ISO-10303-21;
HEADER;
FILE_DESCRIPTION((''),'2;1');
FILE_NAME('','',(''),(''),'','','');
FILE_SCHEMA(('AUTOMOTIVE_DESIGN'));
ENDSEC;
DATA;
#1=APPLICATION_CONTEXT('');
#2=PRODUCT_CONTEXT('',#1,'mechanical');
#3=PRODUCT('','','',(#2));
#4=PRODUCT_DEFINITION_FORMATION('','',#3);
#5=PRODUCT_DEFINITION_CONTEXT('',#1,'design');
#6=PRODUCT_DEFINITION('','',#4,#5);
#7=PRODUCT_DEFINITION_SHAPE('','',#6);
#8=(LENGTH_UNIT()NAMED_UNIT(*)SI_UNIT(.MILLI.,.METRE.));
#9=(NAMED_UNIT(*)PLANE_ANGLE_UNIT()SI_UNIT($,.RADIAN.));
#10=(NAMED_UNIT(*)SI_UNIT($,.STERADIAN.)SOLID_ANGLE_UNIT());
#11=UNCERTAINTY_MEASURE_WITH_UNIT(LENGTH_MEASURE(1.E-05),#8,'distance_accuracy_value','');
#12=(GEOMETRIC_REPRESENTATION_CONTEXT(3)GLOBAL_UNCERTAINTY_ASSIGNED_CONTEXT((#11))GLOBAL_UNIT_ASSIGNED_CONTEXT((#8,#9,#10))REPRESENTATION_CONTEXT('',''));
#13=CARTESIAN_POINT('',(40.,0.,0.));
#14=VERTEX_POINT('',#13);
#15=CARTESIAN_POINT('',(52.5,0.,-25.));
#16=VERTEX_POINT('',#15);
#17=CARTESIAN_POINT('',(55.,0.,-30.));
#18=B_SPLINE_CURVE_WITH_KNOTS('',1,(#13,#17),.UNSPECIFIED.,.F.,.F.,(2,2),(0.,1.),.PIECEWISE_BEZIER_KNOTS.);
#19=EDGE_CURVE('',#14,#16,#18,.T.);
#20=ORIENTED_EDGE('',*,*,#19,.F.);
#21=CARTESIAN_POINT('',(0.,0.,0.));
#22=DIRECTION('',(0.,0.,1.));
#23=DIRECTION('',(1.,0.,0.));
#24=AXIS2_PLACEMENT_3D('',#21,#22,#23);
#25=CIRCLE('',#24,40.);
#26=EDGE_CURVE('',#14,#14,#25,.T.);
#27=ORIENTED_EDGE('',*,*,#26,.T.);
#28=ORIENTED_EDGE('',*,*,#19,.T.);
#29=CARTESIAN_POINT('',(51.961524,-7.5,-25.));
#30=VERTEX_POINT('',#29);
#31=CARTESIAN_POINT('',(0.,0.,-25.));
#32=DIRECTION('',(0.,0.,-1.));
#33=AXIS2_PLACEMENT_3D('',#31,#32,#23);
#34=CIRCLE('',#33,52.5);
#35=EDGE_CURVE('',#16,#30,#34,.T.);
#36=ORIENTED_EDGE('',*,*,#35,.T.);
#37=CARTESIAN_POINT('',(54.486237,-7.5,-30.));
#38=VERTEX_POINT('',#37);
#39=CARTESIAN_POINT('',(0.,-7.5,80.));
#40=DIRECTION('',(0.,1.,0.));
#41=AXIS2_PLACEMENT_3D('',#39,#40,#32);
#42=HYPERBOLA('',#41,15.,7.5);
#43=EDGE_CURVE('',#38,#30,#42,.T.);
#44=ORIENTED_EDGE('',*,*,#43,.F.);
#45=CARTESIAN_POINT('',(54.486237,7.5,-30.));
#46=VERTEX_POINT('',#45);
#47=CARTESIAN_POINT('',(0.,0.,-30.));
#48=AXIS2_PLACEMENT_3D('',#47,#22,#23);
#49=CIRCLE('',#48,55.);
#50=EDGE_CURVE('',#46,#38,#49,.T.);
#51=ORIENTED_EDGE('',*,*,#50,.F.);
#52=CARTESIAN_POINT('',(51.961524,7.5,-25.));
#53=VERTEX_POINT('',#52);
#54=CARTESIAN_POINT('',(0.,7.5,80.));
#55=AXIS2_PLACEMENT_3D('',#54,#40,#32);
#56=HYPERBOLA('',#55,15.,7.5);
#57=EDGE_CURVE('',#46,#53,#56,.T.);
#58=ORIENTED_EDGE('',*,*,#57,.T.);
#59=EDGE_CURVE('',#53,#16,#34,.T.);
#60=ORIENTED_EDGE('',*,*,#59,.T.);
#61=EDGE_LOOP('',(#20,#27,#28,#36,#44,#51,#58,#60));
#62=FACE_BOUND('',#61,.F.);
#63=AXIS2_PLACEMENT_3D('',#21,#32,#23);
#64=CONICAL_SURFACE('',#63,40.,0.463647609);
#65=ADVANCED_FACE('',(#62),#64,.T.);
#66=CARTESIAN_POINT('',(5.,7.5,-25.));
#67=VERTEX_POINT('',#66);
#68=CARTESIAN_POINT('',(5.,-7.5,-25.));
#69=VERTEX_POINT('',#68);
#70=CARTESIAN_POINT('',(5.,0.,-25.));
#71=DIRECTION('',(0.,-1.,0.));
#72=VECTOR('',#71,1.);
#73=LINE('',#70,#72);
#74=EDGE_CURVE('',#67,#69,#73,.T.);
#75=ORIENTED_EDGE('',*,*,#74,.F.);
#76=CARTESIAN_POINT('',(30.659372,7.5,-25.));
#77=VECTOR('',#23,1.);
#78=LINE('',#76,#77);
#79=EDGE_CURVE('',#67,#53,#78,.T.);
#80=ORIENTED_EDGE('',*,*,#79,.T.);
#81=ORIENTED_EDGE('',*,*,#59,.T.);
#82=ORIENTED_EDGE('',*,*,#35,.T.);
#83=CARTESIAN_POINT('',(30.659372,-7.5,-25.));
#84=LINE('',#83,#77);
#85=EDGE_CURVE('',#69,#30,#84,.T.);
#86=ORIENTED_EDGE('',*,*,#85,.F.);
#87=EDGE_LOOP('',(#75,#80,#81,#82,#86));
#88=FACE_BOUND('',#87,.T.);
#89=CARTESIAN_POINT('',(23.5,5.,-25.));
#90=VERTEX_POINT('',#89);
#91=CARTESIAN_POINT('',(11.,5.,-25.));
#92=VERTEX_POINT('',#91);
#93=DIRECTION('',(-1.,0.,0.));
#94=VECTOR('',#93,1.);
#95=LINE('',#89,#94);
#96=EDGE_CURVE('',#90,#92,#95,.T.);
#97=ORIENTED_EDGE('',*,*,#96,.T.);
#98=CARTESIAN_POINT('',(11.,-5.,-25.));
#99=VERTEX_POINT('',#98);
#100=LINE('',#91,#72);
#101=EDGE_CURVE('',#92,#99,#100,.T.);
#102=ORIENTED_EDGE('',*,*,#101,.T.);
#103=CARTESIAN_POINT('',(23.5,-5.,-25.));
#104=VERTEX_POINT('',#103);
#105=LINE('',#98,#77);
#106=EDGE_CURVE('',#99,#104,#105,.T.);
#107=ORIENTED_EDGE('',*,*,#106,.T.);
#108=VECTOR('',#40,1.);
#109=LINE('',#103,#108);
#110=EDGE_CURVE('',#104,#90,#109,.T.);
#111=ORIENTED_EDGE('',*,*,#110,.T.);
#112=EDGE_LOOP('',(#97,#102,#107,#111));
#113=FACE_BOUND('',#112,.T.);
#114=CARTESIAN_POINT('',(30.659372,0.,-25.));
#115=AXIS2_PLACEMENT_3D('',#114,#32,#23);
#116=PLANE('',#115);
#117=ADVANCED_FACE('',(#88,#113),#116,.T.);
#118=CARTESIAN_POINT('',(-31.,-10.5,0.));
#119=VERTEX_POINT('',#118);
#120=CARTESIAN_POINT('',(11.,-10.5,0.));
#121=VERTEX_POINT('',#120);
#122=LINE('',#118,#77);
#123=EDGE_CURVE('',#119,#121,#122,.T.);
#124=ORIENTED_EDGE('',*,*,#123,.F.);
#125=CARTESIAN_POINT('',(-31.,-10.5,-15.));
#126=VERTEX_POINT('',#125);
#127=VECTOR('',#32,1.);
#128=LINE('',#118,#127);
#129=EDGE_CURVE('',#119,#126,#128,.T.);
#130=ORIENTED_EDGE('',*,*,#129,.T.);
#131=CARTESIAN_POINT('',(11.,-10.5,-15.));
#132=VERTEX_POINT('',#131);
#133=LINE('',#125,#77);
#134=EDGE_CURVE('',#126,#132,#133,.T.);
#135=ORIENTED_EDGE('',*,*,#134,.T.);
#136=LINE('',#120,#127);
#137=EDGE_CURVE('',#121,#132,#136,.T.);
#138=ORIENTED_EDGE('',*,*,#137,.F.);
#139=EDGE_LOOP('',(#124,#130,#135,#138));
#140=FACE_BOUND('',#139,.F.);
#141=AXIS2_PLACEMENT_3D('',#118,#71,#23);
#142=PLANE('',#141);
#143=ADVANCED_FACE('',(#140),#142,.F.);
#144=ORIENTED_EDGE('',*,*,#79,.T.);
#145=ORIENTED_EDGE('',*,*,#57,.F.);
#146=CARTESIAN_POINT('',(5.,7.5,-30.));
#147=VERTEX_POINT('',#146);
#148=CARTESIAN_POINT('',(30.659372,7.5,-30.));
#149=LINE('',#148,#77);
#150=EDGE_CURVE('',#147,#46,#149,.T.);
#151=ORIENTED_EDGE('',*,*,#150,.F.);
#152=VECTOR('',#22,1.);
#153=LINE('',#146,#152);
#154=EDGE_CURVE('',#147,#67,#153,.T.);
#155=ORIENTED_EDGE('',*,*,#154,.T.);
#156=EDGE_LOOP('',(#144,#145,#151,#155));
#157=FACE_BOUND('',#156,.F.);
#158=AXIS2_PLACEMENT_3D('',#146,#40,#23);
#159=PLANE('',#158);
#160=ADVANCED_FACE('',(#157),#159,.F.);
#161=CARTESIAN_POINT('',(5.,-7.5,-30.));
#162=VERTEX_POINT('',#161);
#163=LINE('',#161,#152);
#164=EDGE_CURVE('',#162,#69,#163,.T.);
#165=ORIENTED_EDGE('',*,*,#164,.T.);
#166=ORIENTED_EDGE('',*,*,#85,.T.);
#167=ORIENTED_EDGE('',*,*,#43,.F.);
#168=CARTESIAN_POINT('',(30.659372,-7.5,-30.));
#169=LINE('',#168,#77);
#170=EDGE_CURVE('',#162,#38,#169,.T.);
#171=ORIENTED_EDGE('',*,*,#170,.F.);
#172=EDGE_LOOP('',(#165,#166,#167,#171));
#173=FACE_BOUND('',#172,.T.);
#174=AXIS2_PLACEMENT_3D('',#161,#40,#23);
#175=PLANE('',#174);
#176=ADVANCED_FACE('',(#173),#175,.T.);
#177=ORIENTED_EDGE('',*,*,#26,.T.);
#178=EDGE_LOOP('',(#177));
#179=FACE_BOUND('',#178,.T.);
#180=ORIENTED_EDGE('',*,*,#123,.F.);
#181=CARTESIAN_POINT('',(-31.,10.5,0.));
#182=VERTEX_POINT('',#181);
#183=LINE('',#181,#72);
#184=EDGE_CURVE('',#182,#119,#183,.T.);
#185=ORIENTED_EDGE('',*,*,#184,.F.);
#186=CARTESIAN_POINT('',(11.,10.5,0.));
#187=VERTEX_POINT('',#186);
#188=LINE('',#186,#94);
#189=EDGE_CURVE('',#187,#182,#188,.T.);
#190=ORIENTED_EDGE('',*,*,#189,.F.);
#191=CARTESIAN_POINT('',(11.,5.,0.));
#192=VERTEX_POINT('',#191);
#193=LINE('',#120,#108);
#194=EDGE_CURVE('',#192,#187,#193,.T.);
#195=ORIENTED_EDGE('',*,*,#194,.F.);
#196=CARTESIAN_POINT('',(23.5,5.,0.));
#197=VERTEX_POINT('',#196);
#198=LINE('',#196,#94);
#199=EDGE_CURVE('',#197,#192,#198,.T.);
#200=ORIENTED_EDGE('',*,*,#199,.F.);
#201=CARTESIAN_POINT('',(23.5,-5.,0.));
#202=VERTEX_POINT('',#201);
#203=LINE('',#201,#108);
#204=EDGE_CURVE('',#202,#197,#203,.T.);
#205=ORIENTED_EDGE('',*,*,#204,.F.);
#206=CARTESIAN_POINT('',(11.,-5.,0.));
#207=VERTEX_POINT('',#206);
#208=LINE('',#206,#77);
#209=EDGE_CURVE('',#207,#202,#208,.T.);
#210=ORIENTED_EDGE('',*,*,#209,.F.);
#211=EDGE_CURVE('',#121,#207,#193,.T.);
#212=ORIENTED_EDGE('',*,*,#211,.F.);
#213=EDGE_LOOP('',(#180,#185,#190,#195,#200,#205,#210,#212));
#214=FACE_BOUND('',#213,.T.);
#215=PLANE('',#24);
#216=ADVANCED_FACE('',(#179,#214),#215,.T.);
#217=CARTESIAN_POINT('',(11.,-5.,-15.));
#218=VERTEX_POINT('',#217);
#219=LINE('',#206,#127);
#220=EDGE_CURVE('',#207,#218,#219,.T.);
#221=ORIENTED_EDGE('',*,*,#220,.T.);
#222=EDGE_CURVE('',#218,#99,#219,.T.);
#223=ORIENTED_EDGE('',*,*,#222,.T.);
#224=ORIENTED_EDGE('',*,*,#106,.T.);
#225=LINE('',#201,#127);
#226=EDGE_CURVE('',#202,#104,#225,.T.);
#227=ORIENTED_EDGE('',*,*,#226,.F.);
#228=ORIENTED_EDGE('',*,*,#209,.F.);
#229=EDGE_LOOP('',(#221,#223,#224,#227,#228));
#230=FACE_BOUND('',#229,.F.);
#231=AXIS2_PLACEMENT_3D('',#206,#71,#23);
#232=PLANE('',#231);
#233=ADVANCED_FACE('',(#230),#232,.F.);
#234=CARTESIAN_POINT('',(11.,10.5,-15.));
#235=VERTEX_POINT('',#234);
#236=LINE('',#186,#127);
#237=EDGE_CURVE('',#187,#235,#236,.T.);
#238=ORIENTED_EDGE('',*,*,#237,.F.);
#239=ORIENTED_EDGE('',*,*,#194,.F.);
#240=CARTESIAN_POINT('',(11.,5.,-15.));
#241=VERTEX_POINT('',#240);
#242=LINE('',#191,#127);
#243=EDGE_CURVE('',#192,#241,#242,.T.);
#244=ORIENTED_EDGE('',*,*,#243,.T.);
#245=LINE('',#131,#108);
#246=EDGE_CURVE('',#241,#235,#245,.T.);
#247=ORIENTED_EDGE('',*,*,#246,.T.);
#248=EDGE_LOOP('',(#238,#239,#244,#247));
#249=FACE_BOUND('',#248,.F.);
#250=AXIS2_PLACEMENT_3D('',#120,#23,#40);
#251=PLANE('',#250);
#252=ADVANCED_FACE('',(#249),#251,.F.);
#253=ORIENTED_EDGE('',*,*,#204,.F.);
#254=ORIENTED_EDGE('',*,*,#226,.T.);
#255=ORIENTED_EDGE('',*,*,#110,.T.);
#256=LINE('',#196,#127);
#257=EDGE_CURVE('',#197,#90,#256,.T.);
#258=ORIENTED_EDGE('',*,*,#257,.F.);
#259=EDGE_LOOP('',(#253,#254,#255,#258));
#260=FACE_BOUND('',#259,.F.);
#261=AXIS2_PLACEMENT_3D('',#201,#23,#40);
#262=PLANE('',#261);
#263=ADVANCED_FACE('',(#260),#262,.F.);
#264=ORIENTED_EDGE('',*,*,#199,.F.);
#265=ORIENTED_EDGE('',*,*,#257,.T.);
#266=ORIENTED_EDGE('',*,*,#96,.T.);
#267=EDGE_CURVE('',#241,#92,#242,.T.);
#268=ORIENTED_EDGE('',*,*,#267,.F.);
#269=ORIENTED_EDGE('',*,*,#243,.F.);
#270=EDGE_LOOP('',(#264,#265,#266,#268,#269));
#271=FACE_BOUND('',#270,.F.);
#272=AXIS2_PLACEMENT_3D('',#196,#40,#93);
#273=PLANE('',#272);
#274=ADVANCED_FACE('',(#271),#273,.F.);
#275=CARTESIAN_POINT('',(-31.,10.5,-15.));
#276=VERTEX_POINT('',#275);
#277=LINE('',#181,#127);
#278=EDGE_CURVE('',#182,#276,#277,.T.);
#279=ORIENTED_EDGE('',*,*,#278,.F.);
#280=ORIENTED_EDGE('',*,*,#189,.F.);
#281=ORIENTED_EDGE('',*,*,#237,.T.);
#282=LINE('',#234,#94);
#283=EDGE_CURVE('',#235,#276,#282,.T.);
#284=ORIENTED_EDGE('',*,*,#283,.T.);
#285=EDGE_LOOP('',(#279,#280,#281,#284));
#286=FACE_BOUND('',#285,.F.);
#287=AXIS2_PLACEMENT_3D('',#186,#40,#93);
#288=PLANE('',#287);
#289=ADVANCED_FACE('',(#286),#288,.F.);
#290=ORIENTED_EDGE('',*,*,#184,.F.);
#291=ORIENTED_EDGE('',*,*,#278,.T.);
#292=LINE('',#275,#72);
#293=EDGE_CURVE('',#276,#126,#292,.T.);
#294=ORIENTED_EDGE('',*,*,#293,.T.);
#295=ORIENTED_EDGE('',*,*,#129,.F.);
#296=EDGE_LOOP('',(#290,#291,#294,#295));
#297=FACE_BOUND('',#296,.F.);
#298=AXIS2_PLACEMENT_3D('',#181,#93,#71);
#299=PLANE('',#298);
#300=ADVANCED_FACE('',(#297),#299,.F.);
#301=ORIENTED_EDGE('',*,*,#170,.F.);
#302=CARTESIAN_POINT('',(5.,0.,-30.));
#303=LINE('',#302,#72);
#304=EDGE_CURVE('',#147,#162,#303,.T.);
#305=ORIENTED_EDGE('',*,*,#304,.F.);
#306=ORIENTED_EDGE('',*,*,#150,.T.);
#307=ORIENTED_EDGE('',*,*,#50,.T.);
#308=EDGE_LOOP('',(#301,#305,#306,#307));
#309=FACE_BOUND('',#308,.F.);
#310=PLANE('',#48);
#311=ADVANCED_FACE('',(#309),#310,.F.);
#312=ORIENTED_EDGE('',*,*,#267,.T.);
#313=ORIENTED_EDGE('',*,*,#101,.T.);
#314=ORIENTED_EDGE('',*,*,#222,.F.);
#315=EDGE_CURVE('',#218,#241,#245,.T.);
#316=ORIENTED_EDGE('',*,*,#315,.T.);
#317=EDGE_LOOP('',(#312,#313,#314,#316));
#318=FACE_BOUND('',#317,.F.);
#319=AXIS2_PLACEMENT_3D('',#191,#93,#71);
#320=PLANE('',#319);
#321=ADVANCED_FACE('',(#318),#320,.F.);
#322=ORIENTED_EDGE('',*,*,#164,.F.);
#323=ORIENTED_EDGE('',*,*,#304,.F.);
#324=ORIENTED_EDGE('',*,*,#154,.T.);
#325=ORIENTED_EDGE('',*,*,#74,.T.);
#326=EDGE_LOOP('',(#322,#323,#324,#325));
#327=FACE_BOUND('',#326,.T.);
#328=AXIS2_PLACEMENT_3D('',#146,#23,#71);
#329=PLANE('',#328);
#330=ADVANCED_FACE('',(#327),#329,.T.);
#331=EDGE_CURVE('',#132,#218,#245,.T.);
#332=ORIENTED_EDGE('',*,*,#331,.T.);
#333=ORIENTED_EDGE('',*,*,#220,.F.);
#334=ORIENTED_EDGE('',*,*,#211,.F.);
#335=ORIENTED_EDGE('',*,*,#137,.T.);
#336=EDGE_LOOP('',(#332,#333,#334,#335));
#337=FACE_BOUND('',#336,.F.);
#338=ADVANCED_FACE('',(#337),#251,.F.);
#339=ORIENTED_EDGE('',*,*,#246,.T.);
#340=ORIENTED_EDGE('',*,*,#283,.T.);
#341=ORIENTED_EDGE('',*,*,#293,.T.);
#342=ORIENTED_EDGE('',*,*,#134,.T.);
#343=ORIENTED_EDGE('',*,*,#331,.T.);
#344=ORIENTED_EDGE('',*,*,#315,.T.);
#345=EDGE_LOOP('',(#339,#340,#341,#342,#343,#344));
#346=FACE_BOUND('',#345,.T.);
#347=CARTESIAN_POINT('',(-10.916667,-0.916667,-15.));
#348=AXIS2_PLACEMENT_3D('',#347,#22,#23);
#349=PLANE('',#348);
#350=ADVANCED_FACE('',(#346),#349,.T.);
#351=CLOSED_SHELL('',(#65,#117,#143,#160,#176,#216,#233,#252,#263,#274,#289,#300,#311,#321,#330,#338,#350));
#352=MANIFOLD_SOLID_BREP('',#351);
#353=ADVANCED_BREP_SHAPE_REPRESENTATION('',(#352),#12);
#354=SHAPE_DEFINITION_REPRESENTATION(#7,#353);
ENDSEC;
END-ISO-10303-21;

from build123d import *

# Parameters (mm, degrees)
F0_R      = 40
F2_R      = 55
F3_W      = 11
F3_H      = 10.5
F5_DEPTH  = 15
F7_W      = 51.318744
F7_H      = 15
F8_DEPTH  = 5
F10_DEPTH = 25


with BuildPart() as f4:
    # F0 (on Top) → F4 section 0
    with BuildSketch(Plane.XY):
        Circle(F0_R)
    # F2 (on offset) → F4 section 1
    with BuildSketch(Plane.XY.offset(-30)):
        Circle(F2_R)
    loft()

    # F3 (on Top) → F5 (cut)
    with BuildSketch(Plane.XY):
        Polygon((0, 0), (0, 10.5), (-31, 10.5), (-31, -10.5), (11, -10.5), (11, 0), align=None)
        with Locations((5.5, 5.25)):
            Rectangle(F3_W, F3_H)
    extrude(amount=-F5_DEPTH, mode=Mode.SUBTRACT)

    # F7 (on face) → F8 (cut)
    with BuildSketch(Plane(origin=(0, 0, -30), x_dir=(1, 0, 0), z_dir=(0, 0, -1))):
        with Locations((30.659372, 0)):
            Rectangle(F7_W, F7_H)
    extrude(amount=-F8_DEPTH, mode=Mode.SUBTRACT)

    # F9 (on face) → F10 (cut)
    with BuildSketch(Plane.XY):
        Polygon((11, 5), (11, 0), (11, -5), (23.5, -5), (23.5, 5), align=None)
    extrude(amount=-F10_DEPTH, mode=Mode.SUBTRACT)


solid = f4.part
